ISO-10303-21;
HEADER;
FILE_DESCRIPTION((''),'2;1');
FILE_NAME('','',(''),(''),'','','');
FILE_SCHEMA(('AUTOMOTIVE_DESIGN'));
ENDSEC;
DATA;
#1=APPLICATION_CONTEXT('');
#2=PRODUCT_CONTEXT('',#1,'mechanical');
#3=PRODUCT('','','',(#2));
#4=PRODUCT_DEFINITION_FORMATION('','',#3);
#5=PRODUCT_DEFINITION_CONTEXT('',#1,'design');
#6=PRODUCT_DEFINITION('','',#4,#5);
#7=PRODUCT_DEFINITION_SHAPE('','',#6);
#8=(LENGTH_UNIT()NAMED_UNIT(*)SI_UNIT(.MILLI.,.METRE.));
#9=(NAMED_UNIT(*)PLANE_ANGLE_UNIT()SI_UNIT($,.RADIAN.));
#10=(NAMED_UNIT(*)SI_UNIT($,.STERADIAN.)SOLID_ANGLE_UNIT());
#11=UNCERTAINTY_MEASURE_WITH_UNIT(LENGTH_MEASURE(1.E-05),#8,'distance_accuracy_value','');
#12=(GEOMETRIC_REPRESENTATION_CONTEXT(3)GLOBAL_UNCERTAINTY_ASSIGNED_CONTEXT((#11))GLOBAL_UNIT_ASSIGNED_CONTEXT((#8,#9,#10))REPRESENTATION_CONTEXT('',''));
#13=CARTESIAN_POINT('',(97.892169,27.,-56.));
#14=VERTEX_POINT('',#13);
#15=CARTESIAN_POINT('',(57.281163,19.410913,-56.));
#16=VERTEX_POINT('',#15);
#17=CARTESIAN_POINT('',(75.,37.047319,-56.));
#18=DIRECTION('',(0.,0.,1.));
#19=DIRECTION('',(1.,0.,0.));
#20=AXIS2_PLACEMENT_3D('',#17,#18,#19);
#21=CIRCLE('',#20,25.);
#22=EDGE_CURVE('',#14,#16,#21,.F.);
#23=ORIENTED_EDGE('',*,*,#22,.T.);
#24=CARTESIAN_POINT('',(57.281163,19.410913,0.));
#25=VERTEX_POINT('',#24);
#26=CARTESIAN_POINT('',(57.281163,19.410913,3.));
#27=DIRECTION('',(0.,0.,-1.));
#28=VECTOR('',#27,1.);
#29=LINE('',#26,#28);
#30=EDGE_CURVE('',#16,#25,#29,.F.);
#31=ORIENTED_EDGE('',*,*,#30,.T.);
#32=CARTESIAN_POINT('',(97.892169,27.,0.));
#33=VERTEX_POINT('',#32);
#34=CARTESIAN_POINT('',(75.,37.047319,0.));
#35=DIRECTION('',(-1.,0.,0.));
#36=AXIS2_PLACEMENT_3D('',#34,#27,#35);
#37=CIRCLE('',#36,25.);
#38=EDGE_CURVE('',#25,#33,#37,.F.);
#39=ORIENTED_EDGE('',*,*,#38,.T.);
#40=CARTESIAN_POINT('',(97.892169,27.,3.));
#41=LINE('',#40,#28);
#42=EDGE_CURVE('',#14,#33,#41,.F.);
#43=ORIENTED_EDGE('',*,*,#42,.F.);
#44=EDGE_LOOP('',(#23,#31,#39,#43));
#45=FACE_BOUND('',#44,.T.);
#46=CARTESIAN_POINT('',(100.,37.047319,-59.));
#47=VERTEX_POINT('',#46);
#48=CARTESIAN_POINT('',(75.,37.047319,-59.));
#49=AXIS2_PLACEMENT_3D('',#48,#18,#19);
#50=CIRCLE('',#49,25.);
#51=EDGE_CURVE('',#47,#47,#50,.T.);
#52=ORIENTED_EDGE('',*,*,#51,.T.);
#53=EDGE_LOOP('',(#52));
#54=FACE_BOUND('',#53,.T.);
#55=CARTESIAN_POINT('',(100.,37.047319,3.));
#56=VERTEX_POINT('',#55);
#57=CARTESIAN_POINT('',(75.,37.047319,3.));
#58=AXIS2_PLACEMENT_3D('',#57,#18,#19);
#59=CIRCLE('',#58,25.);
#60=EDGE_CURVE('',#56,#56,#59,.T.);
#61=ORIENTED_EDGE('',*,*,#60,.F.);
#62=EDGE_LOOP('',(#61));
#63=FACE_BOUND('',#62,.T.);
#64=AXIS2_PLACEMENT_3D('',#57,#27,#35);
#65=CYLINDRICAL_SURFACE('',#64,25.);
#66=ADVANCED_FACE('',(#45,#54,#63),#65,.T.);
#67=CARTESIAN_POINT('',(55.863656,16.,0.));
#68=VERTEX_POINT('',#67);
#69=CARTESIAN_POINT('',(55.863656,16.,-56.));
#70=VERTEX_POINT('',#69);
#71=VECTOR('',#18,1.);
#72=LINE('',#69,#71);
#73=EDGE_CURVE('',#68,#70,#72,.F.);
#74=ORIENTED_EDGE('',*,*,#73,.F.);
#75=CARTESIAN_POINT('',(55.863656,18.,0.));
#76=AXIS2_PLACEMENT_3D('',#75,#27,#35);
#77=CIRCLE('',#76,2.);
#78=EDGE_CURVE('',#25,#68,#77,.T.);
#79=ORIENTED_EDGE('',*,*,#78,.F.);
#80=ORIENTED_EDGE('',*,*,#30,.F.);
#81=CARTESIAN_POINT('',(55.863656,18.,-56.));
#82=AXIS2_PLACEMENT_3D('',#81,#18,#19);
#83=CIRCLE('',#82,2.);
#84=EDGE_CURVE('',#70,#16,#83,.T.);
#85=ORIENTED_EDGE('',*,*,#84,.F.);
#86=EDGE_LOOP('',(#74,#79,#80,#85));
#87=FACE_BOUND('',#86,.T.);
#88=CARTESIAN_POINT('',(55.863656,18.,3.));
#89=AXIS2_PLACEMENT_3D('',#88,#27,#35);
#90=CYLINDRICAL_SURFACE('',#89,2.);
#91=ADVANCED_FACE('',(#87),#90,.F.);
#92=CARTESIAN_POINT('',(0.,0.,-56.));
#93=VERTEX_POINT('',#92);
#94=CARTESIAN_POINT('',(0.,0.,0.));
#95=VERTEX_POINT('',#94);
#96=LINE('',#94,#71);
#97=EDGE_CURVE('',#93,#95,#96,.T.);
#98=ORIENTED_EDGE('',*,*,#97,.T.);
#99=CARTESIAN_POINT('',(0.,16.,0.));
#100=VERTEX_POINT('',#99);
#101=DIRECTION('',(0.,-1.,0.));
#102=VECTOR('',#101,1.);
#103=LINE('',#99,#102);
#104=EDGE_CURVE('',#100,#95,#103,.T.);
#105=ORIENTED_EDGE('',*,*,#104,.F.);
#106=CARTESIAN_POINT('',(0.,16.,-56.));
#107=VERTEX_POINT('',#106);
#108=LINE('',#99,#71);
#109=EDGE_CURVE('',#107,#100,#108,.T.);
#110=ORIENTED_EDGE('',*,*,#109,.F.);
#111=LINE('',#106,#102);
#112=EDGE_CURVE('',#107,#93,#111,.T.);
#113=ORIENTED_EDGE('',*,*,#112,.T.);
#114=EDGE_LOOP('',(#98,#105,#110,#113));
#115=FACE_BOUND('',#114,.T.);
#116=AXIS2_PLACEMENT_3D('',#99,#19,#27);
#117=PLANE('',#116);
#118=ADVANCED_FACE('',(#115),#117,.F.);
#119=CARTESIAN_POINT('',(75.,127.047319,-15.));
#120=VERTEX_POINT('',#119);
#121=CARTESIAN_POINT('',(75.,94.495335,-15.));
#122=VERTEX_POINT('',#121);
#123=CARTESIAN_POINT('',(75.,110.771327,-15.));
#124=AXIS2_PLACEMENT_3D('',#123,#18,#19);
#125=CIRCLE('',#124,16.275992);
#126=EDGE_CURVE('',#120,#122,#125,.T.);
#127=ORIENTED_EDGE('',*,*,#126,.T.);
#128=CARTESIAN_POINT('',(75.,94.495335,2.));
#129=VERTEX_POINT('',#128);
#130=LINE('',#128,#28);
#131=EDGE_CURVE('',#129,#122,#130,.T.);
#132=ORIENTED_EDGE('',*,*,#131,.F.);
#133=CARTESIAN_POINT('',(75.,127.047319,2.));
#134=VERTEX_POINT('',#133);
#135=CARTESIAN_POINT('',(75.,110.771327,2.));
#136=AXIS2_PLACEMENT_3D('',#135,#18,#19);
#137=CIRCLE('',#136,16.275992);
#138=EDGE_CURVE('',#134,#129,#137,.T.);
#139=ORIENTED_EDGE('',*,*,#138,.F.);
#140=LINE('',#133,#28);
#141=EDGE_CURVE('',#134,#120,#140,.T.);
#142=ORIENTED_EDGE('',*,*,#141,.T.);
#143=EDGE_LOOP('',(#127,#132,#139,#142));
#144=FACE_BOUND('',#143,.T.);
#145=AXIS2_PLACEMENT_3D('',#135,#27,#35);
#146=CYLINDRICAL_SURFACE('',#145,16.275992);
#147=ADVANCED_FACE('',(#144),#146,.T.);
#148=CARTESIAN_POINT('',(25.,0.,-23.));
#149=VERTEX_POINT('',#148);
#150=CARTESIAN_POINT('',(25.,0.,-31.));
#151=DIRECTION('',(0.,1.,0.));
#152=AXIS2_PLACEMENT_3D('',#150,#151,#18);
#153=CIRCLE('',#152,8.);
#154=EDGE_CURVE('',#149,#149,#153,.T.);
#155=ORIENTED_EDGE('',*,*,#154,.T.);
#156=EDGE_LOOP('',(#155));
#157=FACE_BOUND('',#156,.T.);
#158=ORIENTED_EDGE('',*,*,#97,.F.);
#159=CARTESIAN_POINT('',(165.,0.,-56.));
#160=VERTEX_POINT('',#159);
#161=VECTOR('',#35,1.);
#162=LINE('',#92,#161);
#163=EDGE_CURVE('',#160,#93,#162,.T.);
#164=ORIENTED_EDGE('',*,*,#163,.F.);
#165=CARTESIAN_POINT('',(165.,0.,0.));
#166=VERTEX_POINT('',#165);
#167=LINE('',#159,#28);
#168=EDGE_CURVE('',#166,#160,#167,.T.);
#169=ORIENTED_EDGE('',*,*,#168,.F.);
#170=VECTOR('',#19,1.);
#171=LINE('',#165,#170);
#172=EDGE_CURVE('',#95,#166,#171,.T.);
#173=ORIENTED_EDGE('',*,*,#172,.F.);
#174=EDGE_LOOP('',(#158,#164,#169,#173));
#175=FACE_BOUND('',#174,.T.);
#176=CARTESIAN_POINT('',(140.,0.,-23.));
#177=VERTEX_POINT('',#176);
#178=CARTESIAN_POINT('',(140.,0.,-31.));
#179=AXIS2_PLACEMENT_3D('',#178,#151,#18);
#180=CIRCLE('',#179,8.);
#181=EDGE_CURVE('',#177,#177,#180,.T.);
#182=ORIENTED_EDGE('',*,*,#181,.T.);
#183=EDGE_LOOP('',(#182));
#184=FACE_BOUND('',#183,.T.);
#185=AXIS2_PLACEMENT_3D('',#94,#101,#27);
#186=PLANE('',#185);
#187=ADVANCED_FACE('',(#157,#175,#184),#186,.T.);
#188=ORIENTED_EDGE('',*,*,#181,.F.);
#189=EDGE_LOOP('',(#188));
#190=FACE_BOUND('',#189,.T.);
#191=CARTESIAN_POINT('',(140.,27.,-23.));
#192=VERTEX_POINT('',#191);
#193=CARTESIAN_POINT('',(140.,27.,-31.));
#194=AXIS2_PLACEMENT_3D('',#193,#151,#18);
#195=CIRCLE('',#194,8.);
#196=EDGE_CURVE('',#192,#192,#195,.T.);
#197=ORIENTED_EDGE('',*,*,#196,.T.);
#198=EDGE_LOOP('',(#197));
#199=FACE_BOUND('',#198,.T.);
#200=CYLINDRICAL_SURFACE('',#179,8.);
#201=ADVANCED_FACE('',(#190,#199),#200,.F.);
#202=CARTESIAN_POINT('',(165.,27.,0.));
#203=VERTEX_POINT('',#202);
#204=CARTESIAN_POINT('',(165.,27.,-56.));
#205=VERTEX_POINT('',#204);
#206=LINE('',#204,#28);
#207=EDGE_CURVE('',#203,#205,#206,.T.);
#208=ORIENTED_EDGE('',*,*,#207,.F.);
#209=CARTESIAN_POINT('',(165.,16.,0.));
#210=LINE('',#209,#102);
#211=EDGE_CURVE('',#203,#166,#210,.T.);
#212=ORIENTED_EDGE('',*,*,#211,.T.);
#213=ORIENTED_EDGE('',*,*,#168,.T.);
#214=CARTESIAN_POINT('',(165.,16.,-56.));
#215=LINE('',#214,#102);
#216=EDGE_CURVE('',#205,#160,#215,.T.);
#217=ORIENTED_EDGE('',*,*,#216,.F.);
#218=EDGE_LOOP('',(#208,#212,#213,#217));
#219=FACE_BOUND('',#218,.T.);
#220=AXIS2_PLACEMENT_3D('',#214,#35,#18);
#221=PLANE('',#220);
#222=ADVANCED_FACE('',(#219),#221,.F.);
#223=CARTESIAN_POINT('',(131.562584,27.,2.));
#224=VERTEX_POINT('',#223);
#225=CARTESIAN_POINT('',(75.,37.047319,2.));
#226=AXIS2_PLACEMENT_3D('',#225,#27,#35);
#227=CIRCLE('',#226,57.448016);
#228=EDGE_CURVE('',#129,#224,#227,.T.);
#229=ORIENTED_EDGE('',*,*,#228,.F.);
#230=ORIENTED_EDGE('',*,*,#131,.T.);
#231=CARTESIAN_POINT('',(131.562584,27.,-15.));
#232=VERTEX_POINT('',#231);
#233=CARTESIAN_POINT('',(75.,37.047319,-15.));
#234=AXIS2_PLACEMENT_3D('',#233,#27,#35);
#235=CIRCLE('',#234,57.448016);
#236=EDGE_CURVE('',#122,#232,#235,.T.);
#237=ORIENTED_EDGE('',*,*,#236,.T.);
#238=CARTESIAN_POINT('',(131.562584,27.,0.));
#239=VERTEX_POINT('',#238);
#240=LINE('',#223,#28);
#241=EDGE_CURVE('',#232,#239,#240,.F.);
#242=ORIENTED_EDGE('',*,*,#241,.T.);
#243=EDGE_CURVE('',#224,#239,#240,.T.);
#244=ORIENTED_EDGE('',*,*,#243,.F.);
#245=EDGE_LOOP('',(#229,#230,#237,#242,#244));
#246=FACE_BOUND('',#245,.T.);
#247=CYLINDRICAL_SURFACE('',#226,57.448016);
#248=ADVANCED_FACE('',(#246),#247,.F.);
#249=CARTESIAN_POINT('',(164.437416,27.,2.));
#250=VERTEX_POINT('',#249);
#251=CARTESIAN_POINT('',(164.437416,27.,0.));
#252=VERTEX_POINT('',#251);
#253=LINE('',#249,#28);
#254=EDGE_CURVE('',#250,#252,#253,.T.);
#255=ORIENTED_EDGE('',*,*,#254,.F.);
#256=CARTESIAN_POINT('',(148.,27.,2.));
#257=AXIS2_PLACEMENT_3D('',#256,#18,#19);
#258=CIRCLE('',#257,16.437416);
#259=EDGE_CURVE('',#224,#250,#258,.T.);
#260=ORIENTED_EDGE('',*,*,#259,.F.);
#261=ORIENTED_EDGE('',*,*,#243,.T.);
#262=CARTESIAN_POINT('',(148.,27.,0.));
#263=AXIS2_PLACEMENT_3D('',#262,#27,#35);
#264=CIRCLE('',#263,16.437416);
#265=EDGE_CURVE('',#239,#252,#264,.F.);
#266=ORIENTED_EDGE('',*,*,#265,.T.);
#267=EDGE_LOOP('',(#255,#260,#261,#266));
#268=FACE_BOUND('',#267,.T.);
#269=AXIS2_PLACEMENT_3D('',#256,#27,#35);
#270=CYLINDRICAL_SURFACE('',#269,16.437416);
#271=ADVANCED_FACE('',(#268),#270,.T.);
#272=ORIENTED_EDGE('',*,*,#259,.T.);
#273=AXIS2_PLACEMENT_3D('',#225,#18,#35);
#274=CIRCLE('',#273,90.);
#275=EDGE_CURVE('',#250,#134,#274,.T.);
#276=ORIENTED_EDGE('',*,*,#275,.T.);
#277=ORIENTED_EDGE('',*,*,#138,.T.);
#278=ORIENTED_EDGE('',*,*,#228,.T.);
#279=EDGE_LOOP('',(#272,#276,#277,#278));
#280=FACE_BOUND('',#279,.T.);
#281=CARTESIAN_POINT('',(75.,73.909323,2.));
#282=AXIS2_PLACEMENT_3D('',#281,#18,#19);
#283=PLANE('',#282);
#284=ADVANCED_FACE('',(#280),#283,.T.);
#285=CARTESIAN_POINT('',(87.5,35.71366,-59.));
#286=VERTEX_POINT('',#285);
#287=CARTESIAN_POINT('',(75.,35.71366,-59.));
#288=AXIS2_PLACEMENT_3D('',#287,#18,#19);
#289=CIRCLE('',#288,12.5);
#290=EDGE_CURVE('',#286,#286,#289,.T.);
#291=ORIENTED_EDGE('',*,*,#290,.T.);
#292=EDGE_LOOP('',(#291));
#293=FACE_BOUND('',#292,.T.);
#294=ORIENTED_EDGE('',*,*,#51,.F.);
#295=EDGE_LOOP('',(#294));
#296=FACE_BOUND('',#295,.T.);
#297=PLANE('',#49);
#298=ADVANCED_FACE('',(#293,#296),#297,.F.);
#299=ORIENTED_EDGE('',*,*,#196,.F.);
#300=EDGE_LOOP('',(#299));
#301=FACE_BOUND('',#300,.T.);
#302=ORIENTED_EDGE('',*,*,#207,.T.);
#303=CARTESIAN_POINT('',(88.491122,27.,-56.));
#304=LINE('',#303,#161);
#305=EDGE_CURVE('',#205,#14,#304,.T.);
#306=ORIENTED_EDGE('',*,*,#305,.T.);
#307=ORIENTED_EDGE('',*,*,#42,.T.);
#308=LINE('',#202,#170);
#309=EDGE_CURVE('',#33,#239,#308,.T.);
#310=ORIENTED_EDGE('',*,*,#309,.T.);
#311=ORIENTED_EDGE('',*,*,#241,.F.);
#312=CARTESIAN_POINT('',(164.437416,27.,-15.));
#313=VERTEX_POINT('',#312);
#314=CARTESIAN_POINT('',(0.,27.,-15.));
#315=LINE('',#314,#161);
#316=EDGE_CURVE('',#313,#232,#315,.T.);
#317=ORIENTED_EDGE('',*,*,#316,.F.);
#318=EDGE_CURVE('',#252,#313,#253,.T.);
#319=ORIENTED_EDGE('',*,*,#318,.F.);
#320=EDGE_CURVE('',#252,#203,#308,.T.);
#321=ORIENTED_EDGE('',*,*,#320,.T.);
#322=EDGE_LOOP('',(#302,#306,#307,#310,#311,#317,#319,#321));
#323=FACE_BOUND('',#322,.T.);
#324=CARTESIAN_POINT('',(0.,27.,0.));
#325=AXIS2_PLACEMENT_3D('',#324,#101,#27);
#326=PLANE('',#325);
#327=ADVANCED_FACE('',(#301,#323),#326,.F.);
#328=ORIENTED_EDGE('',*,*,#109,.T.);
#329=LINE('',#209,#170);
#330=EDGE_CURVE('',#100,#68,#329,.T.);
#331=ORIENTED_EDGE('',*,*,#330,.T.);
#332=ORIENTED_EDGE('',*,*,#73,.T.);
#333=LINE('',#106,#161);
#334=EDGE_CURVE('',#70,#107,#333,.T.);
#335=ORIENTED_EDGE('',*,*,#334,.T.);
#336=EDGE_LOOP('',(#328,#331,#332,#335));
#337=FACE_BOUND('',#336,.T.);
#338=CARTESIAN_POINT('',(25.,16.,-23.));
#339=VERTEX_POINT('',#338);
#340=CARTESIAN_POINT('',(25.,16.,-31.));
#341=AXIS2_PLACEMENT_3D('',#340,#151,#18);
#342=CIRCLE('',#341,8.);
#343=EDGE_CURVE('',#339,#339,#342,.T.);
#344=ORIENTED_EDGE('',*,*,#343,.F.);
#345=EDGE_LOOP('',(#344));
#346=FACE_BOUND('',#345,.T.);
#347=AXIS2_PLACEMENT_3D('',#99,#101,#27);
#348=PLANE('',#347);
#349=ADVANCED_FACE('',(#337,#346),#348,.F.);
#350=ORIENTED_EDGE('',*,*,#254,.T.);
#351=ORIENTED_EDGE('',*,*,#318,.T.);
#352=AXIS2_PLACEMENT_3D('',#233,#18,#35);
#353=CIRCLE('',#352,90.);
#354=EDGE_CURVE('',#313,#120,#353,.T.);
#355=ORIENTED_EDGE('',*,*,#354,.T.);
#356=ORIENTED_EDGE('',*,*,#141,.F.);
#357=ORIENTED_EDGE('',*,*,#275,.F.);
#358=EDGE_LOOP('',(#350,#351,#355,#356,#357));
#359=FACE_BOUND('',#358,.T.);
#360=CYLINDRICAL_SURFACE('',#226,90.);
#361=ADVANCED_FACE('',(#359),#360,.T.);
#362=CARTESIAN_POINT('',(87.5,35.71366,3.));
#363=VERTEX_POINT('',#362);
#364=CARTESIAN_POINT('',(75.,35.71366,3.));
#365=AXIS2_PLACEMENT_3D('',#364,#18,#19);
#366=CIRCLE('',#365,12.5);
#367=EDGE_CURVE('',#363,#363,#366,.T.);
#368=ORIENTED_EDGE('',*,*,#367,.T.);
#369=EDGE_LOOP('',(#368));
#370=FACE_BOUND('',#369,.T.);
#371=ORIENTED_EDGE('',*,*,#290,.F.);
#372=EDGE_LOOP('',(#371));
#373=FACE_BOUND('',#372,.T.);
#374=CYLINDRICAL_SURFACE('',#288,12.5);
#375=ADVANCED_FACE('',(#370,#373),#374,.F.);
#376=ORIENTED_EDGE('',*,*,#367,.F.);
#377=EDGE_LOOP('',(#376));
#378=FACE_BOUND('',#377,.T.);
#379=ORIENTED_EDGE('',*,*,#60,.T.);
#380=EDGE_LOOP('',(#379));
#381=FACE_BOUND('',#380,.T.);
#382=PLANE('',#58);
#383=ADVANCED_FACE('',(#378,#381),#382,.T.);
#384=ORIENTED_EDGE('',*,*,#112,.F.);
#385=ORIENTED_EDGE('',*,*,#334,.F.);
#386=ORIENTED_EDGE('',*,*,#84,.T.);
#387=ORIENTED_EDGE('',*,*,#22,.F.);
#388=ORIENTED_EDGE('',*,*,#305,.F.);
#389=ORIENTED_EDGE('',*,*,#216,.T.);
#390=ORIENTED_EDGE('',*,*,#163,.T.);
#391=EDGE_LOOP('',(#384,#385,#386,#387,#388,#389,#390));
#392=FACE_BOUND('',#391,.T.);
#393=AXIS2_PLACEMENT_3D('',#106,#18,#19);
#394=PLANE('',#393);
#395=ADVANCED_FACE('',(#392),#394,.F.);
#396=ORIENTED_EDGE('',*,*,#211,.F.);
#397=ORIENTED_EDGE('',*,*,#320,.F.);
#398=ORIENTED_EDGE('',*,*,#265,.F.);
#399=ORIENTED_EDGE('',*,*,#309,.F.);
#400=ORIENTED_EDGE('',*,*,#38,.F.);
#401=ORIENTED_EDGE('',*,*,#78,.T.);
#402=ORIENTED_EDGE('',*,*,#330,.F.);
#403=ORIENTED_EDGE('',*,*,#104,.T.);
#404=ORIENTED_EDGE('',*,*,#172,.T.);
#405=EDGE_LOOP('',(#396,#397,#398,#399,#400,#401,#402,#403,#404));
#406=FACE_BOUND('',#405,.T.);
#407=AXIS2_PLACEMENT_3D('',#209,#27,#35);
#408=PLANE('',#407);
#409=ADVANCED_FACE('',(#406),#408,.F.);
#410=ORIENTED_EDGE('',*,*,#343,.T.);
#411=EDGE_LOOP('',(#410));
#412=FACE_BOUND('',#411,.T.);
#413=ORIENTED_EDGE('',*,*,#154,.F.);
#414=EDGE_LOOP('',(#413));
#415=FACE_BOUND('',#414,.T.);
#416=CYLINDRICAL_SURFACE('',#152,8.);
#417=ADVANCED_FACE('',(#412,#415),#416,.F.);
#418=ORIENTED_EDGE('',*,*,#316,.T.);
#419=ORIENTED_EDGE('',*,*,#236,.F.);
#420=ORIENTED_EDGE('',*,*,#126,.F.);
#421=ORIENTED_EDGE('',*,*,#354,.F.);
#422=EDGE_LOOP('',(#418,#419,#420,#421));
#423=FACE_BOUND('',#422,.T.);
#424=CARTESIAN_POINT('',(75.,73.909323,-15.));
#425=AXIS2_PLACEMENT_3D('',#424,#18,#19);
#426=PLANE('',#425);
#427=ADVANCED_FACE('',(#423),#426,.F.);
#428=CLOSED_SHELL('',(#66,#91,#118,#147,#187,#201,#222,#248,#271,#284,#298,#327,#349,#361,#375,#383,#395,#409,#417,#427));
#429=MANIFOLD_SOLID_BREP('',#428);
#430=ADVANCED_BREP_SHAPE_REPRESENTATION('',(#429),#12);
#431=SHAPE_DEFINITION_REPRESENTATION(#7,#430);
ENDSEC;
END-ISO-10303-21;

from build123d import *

# Parameters (mm, degrees)
SKETCH1_W                = 165
SKETCH1_H                = 56
BOSS_EXTRUDE1_DEPTH      = 16
SKETCH2_R                = 8
CUT_EXTRUDE1_DEPTH       = 16
SKETCH3_R                = 25
BOSS_EXTRUDE2_DEPTH      = 3
BOSS_EXTRUDE2_DEPTH_BACK = 59
FILLET1_R                = 2
SKETCH4_R                = 12.5
CUT_EXTRUDE2_DEPTH       = 63
SKETCH5_W                = 76.508877986
SKETCH5_H                = 56
SKETCH5_R                = 8
BOSS_EXTRUDE3_DEPTH      = 11
BOSS_EXTRUDE5_DEPTH      = 2
BOSS_EXTRUDE5_DEPTH_BACK = 15


with BuildPart() as part:
    # Sketch1 → Boss-Extrude1 (new body)
    with BuildSketch(Plane(origin=(0, 0, 0), x_dir=(1, 0, 0), z_dir=(0, 1, 0))):
        with Locations((82.5, 28)):
            Rectangle(SKETCH1_W, SKETCH1_H)
    extrude(amount=BOSS_EXTRUDE1_DEPTH)

    # Sketch2 → Cut-Extrude1 (cut)
    with BuildSketch(Plane(origin=(0, 16, 0), x_dir=(1, 0, 0), z_dir=(0, 1, 0))):
        with Locations((25, 31)):
            Circle(SKETCH2_R)
        with Locations((140, 31)):
            Circle(SKETCH2_R)
    extrude(amount=-CUT_EXTRUDE1_DEPTH, mode=Mode.SUBTRACT)

    # Sketch3 → Boss-Extrude2 (add, two sides)
    with BuildSketch(Plane.XY) as boss_extrude2_sk:
        with Locations((75, 37.047318756)):
            Circle(SKETCH3_R)
    extrude(amount=BOSS_EXTRUDE2_DEPTH)
    extrude(boss_extrude2_sk.sketch, amount=-BOSS_EXTRUDE2_DEPTH_BACK)

    # Fillet1
    fillet1_edges = [part.edges().sort_by_distance(p)[0] for p in [
        (61.508877986, 16, -28),
    ]]
    fillet(fillet1_edges, radius=FILLET1_R)

    # Sketch4 → Cut-Extrude2 (cut, through all)
    with BuildSketch(Plane.XY.offset(3)):
        with Locations((75, 35.713660164)):
            Circle(SKETCH4_R)
    extrude(amount=-CUT_EXTRUDE2_DEPTH, mode=Mode.SUBTRACT)

    # Sketch5 → Boss-Extrude3 (add)
    with BuildSketch(Plane(origin=(0, 16, 0), x_dir=(1, 0, 0), z_dir=(0, 1, 0))):
        with Locations((126.745561007, 28)):
            Rectangle(SKETCH5_W, SKETCH5_H)
        with Locations((140, 31)):
            Circle(SKETCH5_R, mode=Mode.SUBTRACT)
    extrude(amount=BOSS_EXTRUDE3_DEPTH)

    # Sketch8 → Boss-Extrude5 (add, two sides)
    with BuildSketch(Plane.XY) as boss_extrude5_sk:
        with BuildLine():
            ThreePointArc((75, 127.047318756), (142.097908641, 97.029571598), (164.437416028, 27))
            ThreePointArc((164.437416028, 27), (148, 10.562583972), (131.562583972, 27))
            ThreePointArc((131.562583972, 27), (119.031085874, 73.946343086), (75, 94.495334559))
            ThreePointArc((75, 94.495334559), (58.724007902, 110.771326658), (75, 127.047318756))
        make_face()
    extrude(amount=BOSS_EXTRUDE5_DEPTH)
    extrude(boss_extrude5_sk.sketch, amount=-BOSS_EXTRUDE5_DEPTH_BACK)


solid = part.part
